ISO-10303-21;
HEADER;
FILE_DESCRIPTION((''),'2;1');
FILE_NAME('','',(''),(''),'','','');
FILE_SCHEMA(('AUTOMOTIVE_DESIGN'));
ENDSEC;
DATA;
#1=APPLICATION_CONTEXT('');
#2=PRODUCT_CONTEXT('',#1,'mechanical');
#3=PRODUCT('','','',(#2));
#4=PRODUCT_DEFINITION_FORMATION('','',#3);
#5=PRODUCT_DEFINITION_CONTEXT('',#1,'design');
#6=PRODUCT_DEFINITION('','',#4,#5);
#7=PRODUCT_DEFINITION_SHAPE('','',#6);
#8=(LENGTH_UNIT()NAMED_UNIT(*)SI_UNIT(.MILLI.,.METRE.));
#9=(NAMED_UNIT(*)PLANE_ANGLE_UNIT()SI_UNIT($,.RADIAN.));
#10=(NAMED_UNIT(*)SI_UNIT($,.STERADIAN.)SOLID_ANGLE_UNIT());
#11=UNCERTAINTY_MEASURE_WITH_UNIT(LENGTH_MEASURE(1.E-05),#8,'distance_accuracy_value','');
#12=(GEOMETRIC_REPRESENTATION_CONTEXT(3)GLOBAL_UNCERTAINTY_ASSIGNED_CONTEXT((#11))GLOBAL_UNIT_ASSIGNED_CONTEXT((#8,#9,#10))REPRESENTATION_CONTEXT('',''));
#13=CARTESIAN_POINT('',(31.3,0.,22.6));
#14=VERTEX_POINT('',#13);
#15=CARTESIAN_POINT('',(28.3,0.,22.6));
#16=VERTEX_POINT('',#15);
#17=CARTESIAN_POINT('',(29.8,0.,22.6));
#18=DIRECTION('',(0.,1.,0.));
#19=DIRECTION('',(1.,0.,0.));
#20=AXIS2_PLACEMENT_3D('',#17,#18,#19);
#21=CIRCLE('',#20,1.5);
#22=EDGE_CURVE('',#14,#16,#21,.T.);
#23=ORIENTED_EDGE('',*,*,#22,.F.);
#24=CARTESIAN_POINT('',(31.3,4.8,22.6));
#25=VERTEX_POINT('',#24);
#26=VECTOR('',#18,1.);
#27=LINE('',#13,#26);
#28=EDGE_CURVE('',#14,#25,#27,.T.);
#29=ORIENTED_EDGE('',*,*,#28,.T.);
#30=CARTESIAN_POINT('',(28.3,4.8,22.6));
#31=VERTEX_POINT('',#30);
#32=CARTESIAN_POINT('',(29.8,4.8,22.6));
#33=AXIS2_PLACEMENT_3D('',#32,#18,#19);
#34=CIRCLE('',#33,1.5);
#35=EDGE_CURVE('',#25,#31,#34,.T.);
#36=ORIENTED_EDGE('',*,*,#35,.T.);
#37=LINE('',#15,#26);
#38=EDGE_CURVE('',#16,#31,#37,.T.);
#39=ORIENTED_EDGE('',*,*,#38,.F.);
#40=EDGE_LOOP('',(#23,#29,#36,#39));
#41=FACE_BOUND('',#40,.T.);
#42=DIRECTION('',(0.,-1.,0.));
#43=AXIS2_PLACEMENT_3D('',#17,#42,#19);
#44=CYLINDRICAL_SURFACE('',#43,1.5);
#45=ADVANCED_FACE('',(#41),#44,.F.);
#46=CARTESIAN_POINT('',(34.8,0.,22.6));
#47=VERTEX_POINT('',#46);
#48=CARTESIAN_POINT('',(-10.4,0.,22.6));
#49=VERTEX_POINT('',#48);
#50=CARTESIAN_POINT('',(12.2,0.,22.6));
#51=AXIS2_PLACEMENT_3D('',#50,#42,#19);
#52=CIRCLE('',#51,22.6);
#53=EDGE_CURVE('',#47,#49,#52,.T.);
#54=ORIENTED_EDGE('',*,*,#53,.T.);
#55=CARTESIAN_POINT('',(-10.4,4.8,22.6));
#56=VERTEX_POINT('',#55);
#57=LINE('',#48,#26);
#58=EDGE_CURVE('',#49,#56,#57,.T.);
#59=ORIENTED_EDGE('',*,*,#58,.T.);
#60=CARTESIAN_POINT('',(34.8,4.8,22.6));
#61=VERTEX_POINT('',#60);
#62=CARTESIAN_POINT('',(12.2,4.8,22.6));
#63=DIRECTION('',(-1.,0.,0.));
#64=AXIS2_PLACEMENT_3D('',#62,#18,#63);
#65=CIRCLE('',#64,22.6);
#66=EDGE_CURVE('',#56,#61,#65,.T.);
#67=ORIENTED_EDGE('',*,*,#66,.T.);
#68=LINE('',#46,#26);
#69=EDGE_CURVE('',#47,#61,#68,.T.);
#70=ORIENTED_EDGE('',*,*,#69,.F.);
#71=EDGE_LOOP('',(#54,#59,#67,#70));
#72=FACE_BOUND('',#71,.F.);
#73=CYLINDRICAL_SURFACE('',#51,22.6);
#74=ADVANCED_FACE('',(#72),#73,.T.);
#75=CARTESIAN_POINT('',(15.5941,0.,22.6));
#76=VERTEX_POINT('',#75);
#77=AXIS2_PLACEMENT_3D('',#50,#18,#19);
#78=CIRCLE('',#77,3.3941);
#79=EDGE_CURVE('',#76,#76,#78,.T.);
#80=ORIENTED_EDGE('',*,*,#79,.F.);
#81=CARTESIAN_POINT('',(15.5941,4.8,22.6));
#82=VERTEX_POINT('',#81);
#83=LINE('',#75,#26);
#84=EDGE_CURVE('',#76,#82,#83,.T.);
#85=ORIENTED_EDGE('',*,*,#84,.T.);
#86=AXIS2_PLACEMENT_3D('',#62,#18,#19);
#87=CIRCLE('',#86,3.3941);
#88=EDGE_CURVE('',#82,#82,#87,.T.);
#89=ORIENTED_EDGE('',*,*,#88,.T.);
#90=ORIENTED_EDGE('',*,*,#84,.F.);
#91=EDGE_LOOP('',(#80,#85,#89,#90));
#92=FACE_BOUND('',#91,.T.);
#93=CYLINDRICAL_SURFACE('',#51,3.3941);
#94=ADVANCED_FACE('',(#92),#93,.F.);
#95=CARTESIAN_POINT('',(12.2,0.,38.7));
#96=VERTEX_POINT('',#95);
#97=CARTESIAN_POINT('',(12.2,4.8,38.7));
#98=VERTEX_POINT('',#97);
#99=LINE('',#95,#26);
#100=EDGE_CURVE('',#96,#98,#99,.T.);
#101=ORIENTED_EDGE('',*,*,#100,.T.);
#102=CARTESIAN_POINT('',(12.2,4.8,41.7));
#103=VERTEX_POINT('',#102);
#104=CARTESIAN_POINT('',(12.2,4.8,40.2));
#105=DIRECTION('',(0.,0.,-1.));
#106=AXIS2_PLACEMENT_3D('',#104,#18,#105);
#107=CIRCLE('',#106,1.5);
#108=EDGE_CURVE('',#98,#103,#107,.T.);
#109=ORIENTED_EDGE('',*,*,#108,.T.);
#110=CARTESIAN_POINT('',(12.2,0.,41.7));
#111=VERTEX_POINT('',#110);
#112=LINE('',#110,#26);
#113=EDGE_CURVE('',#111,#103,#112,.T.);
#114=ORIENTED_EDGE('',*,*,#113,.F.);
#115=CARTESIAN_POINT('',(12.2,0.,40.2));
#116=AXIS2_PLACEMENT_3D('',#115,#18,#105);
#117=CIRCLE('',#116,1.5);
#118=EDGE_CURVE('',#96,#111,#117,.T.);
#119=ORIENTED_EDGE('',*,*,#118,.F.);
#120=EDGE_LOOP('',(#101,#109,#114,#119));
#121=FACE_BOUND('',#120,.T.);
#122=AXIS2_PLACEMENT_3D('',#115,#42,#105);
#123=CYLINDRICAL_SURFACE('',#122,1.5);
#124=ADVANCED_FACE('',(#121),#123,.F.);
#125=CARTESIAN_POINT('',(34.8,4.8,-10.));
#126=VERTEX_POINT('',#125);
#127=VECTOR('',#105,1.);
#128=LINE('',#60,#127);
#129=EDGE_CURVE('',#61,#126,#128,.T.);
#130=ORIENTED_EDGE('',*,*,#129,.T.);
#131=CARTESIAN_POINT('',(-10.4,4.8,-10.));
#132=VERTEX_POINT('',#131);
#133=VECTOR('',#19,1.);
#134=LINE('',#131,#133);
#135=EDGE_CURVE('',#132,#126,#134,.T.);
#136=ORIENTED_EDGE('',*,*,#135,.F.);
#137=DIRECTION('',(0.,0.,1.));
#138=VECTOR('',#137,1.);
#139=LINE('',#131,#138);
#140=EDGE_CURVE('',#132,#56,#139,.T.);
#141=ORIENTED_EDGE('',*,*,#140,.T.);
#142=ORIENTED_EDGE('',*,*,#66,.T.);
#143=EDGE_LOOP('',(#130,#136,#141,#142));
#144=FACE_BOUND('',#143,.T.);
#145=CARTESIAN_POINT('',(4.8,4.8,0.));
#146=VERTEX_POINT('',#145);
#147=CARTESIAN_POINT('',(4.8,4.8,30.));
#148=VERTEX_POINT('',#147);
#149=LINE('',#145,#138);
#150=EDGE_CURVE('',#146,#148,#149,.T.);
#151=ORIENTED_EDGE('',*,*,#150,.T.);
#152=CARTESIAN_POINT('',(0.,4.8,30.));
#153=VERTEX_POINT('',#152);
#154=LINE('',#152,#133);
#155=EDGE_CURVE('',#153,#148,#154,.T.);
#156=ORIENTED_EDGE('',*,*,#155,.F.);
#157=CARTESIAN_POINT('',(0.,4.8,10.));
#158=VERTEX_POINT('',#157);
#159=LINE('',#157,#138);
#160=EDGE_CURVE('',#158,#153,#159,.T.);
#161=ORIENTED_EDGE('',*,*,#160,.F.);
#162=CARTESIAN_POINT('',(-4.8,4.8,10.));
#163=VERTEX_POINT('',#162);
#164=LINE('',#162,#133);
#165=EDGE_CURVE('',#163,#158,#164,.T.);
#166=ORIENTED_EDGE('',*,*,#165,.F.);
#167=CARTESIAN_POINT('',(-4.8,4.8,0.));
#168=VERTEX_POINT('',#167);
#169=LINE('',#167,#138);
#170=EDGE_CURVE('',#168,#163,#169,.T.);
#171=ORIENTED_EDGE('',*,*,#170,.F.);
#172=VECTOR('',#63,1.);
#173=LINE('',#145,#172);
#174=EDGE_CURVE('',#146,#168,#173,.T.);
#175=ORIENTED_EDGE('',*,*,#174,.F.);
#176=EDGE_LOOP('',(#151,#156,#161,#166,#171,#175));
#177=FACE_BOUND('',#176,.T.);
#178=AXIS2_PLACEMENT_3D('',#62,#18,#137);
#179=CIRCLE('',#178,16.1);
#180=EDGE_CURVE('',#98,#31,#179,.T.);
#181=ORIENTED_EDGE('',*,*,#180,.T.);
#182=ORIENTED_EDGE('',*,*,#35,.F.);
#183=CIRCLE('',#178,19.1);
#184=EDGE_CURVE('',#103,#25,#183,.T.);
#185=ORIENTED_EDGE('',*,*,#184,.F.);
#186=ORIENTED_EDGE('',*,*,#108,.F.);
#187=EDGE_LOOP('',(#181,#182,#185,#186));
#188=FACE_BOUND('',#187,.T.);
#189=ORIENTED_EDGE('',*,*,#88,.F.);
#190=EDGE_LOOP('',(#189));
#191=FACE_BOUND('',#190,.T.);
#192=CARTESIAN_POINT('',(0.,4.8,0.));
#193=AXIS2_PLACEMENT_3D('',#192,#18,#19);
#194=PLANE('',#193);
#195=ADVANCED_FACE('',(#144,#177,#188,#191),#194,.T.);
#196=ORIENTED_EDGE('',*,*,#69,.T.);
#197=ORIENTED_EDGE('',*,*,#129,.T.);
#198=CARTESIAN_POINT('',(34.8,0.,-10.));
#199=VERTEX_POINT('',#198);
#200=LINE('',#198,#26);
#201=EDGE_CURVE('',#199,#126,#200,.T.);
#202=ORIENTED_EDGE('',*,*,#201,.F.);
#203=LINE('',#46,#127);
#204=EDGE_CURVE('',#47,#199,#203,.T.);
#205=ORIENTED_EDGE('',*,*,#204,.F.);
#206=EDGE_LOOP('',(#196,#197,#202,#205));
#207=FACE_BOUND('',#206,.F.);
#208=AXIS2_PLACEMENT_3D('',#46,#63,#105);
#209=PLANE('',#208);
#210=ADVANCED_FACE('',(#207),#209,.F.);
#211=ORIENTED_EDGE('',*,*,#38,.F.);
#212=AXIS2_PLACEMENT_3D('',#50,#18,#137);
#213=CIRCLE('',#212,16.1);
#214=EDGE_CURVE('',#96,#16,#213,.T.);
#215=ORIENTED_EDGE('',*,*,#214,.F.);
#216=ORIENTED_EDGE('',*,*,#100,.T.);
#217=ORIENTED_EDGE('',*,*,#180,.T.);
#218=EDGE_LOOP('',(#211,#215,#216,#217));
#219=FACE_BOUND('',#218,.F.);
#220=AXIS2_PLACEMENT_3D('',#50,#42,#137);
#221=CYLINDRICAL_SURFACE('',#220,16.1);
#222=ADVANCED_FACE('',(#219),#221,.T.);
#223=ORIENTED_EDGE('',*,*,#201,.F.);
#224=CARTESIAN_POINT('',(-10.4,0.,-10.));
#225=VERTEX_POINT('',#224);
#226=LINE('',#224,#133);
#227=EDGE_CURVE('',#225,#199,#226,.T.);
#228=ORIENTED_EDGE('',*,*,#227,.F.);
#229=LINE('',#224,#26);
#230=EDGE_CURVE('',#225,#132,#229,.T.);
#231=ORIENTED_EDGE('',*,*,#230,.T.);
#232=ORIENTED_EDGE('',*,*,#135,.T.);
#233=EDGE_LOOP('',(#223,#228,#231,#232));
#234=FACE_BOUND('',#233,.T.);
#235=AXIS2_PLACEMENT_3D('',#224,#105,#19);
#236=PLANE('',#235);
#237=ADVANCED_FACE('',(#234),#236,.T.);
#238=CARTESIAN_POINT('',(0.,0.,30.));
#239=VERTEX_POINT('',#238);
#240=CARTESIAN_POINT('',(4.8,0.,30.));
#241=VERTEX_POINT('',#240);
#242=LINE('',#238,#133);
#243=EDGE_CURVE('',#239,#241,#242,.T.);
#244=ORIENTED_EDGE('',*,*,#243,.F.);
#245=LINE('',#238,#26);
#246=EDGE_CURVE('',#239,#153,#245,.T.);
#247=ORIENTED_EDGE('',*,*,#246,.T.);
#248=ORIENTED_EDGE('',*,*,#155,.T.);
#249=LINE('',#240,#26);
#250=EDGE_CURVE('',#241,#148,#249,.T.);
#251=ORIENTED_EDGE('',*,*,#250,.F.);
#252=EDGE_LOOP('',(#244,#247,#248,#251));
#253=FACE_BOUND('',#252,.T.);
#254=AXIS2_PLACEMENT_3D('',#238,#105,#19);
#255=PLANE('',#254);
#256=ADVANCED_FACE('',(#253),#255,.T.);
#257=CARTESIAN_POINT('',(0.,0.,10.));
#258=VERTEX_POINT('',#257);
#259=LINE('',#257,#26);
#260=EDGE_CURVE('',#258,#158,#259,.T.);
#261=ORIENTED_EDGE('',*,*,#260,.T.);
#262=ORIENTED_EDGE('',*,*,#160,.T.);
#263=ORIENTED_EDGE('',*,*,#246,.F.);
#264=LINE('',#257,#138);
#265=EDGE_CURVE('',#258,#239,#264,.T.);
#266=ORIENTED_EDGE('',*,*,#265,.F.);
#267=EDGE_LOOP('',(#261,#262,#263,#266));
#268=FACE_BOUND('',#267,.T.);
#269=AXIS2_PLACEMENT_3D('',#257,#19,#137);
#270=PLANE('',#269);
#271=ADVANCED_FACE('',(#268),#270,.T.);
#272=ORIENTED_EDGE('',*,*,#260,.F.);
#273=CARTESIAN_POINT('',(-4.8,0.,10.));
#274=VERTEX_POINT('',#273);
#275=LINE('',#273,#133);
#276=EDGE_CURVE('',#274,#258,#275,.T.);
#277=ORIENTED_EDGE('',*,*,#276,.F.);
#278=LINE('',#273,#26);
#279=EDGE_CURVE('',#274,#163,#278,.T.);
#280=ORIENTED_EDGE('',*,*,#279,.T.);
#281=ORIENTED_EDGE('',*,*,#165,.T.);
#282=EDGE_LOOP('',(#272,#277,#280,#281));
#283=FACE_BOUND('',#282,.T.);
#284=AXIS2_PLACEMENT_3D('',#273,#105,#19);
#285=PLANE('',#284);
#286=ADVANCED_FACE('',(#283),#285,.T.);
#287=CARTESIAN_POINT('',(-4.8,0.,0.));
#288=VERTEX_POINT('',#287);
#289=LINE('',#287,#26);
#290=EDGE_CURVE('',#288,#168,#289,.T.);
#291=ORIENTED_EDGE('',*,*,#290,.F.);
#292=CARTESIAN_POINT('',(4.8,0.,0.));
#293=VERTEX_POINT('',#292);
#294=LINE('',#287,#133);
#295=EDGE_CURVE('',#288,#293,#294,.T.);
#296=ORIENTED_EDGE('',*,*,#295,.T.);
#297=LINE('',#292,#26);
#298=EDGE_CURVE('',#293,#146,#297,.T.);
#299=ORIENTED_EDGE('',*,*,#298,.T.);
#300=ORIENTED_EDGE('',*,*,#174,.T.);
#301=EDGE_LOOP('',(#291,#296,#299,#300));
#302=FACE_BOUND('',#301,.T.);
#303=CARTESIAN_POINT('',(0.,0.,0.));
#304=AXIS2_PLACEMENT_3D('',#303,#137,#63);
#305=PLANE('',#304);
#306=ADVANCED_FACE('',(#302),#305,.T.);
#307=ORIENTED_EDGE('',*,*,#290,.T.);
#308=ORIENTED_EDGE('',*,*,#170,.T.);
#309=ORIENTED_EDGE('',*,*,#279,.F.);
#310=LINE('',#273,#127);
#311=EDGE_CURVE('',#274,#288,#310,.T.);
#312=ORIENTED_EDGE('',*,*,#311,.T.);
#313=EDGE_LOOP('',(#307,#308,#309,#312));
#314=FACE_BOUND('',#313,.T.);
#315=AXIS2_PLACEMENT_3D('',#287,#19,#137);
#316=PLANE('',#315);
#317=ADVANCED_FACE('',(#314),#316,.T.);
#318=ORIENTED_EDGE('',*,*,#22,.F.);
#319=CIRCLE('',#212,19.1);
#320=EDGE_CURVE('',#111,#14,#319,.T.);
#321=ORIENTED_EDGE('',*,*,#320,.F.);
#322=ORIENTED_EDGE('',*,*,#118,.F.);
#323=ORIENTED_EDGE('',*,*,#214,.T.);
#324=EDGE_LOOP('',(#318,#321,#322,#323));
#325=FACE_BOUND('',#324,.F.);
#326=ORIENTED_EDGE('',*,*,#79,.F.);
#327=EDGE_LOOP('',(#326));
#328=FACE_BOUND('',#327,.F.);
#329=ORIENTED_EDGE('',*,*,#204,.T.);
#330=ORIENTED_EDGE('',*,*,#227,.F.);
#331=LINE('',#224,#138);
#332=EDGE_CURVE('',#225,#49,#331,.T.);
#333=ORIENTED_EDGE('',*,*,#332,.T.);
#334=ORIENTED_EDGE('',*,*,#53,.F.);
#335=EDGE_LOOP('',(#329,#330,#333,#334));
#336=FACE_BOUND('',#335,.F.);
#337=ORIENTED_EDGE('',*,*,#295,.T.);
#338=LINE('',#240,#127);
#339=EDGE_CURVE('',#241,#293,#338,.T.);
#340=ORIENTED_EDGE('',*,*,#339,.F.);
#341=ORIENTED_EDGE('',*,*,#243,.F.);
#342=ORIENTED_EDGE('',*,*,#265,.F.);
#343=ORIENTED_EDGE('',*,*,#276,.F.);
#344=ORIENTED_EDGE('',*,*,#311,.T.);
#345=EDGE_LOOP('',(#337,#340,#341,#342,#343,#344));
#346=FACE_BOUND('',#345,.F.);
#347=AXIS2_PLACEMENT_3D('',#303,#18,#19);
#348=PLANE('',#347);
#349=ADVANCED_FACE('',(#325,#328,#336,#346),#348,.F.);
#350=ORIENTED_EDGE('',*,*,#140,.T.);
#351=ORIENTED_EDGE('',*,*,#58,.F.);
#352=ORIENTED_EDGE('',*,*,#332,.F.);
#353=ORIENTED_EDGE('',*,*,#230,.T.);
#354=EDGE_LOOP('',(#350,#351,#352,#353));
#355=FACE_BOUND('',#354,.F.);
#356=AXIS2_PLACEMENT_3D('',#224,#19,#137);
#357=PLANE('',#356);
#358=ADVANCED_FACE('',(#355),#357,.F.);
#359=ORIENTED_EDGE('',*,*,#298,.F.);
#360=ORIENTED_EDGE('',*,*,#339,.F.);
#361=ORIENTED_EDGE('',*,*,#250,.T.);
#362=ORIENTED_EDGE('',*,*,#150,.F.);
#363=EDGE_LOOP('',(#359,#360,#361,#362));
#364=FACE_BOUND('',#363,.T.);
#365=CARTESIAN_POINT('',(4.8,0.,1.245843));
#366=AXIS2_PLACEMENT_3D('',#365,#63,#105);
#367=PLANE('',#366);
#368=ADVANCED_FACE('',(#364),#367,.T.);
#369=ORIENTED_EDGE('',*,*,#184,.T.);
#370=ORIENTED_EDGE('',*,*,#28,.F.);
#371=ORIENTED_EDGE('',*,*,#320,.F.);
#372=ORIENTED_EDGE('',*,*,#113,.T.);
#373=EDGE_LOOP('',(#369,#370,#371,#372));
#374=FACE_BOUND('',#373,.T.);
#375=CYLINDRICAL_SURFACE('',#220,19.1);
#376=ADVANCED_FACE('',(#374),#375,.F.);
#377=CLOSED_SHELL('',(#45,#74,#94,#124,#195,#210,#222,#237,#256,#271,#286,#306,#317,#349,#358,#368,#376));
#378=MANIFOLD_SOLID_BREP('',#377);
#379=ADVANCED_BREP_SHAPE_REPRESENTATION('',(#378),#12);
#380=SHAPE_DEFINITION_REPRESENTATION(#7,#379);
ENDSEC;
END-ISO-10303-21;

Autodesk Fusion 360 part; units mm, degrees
sketch "Sketch1" plane through (0, 0, 0) normal (0, 1, 0) x (1, 0, 0)
  line L0 (0, 0) -> (-4.8, 0)
  line L1 (-4.8, 0) -> (-4.8, -10)
  line L2 (-4.8, -10) -> (0, -10)
  line L3 (0, -10) -> (0, -30)
  line L4 (0, -30) -> (4.8, -30)
  line L5 (4.8, -30) -> (4.8, 0)
  line L6 (4.8, 0) -> (0, 0)
  line L7 (0, 0) -> (0, -10) construction
  line L8 (-10.4, 10) -> (34.8, 10)
  line L9 (9.8, -25) -> (14.6, -25) construction
  line L10 (14.6, -25) -> (14.6, -20.2) construction
  line L11 (14.6, -20.2) -> (9.8, -20.2) construction
  line L12 (9.8, -20.2) -> (9.8, -25) construction
  line L13 (9.8, -22.6) -> (29.8, -22.6) construction
  line L14 (12.2, -20.2) -> (12.2, -40.2) construction
  circle A0 centre (12.2, -22.6) radius 3.3941
  arc A1 (31.3, -22.6) -> (12.2, -41.7) centre (12.2, -22.6) ccw construction
  arc A2 (12.2, -41.7) -> (31.3, -22.6) centre (12.2, -22.6) ccw
  arc A3 (28.3, -22.6) -> (12.2, -38.7) centre (12.2, -22.6) ccw construction
  arc A4 (12.2, -38.7) -> (28.3, -22.6) centre (12.2, -22.6) ccw
  arc A5 (12.2, -38.7) -> (12.2, -41.7) centre (12.2, -40.2) ccw
  arc A6 (12.2, -41.7) -> (12.2, -38.7) centre (12.2, -40.2) ccw construction
  arc A7 (31.3, -22.6) -> (28.3, -22.6) centre (29.8, -22.6) ccw
  arc A8 (28.3, -22.6) -> (31.3, -22.6) centre (29.8, -22.6) ccw construction
  circle A9 centre (12.2, -40.2) radius 5 construction
  line L15 (-10.4, 10) -> (-10.4, -22.6)
  arc A10 (12.2, -45.2) -> (12.2, -45.2) centre (12.2, -22.6) ccw
  line L16 (34.8, -22.6) -> (34.8, 10)
  line L17 (9.8, -25) -> (4.8, -25) construction
  arc A11 (34.8, -22.6) -> (-10.4, -22.6) centre (12.2, -22.6) ccw construction
  arc A12 (-10.4, -22.6) -> (12.2, -45.2) centre (12.2, -22.6) ccw
  arc A13 (12.2, -45.2) -> (34.8, -22.6) centre (12.2, -22.6) ccw
  point P0 (12.2, -20.2)
  point P1 (9.8, -22.6)
  point P2 (12.2, -22.6)
  dimension "d23" = 4.8
  dimension "d24" = 10
  dimension "d26" = 4.8
  dimension "d27" = 10
  dimension "d31" = 4.8
  dimension "d32" = 4.8
  dimension "d33" = 20
  dimension "d34" = 20
  dimension "d35" = 3
  dimension "d36" = 3
  dimension "d37" = 10
  dimension "d38" = 30
  dimension "d40" = 5
  dimension "d41" = 5
extrude "Extrude1" add sketch "Sketch1" along normal blind 4.8 contours L0 L1 L5 L6 L8 L15 A10 L16 | L1 L2 L3 L4 L5 A10 A12 A13
